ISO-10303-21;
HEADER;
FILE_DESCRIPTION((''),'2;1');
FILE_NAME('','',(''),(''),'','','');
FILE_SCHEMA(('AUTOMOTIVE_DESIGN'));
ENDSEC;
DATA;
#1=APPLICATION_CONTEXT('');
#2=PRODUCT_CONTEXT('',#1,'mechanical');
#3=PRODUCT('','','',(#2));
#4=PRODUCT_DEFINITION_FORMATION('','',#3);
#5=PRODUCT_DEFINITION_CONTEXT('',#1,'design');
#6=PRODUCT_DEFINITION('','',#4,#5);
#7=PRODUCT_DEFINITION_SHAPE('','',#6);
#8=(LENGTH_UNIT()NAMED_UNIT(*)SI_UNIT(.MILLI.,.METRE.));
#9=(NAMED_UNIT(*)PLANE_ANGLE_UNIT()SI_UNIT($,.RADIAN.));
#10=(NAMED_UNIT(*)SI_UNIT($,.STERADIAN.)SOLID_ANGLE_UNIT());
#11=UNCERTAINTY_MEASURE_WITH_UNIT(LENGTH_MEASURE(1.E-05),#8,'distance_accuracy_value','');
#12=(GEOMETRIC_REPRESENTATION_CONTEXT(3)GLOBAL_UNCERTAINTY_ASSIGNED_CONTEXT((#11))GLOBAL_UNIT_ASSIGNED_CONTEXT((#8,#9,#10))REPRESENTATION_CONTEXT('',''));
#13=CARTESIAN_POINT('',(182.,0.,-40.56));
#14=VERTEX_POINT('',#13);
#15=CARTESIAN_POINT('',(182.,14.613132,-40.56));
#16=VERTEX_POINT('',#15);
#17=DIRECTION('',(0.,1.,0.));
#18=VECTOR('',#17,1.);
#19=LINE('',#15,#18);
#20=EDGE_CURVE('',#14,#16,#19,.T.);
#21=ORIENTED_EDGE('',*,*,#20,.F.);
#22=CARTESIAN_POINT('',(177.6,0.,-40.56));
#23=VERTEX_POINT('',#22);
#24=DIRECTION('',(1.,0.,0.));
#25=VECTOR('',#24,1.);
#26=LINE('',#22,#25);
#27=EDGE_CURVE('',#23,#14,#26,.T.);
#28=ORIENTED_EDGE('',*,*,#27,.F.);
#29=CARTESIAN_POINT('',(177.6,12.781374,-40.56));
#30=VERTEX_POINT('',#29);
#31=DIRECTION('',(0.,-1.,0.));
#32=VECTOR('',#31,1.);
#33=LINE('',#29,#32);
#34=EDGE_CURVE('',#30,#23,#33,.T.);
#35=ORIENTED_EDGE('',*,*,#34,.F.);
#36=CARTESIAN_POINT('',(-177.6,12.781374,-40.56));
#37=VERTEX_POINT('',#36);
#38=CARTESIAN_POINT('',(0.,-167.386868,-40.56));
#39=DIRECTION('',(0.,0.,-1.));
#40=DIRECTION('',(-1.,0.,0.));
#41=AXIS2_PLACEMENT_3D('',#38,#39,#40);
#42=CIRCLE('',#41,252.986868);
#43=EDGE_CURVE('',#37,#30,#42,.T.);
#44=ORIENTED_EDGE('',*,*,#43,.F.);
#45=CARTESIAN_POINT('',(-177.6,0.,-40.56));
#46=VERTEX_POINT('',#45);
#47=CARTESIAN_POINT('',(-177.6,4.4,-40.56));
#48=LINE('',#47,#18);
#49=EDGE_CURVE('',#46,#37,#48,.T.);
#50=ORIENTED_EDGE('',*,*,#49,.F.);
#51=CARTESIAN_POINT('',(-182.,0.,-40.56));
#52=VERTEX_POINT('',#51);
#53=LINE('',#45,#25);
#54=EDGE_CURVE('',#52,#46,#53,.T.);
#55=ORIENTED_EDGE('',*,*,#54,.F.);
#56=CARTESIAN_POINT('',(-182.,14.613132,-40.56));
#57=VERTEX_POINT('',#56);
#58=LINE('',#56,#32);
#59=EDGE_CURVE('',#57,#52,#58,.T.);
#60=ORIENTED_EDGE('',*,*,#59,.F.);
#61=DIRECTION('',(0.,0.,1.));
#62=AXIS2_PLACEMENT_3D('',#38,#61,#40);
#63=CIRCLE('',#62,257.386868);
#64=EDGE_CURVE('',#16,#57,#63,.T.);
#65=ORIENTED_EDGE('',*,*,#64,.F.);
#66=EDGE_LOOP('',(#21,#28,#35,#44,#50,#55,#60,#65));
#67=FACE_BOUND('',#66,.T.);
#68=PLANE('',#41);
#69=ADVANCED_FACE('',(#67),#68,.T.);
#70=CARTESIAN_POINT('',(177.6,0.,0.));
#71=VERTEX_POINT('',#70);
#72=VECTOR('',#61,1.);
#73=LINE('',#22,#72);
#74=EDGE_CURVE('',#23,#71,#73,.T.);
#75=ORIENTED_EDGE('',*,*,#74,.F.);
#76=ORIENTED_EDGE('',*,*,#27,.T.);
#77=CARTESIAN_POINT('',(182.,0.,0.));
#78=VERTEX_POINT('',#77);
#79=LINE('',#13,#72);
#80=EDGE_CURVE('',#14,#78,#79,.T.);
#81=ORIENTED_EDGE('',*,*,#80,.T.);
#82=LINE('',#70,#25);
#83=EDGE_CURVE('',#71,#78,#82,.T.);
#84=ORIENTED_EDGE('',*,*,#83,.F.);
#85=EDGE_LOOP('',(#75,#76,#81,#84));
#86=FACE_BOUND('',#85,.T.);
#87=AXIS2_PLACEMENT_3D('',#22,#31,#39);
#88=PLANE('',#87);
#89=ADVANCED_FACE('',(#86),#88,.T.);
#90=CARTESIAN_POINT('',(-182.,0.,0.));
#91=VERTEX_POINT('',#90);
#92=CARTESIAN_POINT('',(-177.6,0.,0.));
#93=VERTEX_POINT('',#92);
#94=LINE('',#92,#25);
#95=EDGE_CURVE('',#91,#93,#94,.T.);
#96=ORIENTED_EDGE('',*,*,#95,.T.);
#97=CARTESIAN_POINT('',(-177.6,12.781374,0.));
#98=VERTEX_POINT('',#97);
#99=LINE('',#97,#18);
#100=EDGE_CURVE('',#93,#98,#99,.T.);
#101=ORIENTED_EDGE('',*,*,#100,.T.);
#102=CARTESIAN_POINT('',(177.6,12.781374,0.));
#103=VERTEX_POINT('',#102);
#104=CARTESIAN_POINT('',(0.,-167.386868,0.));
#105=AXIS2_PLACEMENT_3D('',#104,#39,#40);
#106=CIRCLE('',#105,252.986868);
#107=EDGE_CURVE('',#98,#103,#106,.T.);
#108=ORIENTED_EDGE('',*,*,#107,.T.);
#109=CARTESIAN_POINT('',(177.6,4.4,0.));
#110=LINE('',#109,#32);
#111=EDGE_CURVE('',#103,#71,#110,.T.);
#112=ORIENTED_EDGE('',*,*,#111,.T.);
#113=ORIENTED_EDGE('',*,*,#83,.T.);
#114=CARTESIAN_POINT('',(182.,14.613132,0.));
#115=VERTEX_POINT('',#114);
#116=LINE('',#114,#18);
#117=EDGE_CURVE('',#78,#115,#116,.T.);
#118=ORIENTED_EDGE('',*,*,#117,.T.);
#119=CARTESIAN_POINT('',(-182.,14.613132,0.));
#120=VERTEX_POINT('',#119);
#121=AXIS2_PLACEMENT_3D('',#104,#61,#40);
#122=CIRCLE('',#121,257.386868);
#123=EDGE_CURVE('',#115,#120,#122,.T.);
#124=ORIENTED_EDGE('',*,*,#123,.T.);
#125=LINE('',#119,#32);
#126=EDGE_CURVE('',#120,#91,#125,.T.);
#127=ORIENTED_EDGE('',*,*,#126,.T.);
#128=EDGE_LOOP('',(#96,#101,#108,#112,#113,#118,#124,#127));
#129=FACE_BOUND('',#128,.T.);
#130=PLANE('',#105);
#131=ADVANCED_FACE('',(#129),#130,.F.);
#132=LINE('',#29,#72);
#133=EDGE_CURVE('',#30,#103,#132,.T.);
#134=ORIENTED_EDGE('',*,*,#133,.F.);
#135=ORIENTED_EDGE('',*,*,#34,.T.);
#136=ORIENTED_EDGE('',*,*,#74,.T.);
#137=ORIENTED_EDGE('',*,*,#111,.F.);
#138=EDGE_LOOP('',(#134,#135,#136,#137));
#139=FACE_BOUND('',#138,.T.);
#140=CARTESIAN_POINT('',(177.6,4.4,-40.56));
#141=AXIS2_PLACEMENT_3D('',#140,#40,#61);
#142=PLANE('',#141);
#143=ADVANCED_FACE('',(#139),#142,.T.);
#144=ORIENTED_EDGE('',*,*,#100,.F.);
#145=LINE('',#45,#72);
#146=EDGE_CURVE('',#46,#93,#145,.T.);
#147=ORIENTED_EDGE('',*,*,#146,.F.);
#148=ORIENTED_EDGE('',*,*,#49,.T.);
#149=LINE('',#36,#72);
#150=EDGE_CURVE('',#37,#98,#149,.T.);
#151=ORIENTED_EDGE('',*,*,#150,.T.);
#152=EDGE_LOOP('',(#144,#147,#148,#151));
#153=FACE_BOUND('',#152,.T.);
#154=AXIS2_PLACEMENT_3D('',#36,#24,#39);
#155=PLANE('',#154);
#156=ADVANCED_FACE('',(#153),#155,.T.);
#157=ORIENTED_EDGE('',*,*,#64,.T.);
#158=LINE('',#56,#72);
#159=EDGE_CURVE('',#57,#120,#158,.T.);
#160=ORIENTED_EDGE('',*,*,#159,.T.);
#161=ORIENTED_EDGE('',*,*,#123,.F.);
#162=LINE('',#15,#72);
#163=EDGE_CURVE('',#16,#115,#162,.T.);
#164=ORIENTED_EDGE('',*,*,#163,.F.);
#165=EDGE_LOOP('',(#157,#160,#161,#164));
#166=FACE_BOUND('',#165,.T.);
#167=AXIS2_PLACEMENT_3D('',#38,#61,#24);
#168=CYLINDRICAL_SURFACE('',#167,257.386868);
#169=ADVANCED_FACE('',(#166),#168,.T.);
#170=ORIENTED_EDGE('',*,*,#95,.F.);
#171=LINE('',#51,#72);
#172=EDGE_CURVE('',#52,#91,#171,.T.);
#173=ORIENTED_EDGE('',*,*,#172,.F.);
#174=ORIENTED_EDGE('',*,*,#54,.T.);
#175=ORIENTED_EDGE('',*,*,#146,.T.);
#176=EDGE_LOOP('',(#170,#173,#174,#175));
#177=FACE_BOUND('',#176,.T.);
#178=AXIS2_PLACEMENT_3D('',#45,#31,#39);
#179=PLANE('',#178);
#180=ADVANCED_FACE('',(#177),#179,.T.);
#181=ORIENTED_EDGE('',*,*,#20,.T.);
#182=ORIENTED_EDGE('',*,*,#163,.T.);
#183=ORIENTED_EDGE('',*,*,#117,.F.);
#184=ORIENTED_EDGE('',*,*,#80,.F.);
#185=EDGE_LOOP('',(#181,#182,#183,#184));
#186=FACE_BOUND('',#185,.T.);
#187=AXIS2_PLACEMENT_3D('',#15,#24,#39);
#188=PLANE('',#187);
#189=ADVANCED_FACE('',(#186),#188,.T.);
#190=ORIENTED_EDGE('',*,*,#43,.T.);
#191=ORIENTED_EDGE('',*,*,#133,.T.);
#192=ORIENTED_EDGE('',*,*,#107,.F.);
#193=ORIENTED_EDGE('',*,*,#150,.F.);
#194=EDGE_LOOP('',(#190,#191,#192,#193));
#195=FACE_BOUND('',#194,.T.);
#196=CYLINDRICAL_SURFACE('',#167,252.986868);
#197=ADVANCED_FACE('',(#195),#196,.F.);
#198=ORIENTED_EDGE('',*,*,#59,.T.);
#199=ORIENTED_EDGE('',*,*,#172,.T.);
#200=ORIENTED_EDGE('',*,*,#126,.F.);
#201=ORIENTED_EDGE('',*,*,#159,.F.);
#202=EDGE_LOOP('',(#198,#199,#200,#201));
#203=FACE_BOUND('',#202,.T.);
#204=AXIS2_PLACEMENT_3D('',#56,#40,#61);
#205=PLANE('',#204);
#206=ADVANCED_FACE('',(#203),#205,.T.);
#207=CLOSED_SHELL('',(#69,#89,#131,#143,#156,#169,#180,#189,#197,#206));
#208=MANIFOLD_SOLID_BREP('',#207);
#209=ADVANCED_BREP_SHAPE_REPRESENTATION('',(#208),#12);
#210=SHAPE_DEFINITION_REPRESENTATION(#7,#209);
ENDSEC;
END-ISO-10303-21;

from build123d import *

# Parameters (mm, degrees)
BOSS_EXTRUDE1_DEPTH = 40.56


with BuildPart() as part:
    # Sketch1 → Boss-Extrude1 (new body)
    with BuildSketch(Plane.XY):
        with BuildLine():
            ThreePointArc((182, 14.613131648), (0, 90), (-182, 14.613131648))
            Line((-182, 14.613131648), (-182, 0))
            Line((-182, 0), (-177.6, 0))
            Line((-177.6, 0), (-177.6, 4.4))
            Line((-177.6, 4.4), (-177.6, 12.781374018))
            ThreePointArc((-177.6, 12.781374018), (0, 85.6), (177.6, 12.781374018))
            Line((177.6, 12.781374018), (177.6, 4.4))
            Line((177.6, 4.4), (177.6, 0))
            Line((177.6, 0), (182, 0))
            Line((182, 0), (182, 14.613131648))
        make_face()
    extrude(amount=-BOSS_EXTRUDE1_DEPTH)


solid = part.part
